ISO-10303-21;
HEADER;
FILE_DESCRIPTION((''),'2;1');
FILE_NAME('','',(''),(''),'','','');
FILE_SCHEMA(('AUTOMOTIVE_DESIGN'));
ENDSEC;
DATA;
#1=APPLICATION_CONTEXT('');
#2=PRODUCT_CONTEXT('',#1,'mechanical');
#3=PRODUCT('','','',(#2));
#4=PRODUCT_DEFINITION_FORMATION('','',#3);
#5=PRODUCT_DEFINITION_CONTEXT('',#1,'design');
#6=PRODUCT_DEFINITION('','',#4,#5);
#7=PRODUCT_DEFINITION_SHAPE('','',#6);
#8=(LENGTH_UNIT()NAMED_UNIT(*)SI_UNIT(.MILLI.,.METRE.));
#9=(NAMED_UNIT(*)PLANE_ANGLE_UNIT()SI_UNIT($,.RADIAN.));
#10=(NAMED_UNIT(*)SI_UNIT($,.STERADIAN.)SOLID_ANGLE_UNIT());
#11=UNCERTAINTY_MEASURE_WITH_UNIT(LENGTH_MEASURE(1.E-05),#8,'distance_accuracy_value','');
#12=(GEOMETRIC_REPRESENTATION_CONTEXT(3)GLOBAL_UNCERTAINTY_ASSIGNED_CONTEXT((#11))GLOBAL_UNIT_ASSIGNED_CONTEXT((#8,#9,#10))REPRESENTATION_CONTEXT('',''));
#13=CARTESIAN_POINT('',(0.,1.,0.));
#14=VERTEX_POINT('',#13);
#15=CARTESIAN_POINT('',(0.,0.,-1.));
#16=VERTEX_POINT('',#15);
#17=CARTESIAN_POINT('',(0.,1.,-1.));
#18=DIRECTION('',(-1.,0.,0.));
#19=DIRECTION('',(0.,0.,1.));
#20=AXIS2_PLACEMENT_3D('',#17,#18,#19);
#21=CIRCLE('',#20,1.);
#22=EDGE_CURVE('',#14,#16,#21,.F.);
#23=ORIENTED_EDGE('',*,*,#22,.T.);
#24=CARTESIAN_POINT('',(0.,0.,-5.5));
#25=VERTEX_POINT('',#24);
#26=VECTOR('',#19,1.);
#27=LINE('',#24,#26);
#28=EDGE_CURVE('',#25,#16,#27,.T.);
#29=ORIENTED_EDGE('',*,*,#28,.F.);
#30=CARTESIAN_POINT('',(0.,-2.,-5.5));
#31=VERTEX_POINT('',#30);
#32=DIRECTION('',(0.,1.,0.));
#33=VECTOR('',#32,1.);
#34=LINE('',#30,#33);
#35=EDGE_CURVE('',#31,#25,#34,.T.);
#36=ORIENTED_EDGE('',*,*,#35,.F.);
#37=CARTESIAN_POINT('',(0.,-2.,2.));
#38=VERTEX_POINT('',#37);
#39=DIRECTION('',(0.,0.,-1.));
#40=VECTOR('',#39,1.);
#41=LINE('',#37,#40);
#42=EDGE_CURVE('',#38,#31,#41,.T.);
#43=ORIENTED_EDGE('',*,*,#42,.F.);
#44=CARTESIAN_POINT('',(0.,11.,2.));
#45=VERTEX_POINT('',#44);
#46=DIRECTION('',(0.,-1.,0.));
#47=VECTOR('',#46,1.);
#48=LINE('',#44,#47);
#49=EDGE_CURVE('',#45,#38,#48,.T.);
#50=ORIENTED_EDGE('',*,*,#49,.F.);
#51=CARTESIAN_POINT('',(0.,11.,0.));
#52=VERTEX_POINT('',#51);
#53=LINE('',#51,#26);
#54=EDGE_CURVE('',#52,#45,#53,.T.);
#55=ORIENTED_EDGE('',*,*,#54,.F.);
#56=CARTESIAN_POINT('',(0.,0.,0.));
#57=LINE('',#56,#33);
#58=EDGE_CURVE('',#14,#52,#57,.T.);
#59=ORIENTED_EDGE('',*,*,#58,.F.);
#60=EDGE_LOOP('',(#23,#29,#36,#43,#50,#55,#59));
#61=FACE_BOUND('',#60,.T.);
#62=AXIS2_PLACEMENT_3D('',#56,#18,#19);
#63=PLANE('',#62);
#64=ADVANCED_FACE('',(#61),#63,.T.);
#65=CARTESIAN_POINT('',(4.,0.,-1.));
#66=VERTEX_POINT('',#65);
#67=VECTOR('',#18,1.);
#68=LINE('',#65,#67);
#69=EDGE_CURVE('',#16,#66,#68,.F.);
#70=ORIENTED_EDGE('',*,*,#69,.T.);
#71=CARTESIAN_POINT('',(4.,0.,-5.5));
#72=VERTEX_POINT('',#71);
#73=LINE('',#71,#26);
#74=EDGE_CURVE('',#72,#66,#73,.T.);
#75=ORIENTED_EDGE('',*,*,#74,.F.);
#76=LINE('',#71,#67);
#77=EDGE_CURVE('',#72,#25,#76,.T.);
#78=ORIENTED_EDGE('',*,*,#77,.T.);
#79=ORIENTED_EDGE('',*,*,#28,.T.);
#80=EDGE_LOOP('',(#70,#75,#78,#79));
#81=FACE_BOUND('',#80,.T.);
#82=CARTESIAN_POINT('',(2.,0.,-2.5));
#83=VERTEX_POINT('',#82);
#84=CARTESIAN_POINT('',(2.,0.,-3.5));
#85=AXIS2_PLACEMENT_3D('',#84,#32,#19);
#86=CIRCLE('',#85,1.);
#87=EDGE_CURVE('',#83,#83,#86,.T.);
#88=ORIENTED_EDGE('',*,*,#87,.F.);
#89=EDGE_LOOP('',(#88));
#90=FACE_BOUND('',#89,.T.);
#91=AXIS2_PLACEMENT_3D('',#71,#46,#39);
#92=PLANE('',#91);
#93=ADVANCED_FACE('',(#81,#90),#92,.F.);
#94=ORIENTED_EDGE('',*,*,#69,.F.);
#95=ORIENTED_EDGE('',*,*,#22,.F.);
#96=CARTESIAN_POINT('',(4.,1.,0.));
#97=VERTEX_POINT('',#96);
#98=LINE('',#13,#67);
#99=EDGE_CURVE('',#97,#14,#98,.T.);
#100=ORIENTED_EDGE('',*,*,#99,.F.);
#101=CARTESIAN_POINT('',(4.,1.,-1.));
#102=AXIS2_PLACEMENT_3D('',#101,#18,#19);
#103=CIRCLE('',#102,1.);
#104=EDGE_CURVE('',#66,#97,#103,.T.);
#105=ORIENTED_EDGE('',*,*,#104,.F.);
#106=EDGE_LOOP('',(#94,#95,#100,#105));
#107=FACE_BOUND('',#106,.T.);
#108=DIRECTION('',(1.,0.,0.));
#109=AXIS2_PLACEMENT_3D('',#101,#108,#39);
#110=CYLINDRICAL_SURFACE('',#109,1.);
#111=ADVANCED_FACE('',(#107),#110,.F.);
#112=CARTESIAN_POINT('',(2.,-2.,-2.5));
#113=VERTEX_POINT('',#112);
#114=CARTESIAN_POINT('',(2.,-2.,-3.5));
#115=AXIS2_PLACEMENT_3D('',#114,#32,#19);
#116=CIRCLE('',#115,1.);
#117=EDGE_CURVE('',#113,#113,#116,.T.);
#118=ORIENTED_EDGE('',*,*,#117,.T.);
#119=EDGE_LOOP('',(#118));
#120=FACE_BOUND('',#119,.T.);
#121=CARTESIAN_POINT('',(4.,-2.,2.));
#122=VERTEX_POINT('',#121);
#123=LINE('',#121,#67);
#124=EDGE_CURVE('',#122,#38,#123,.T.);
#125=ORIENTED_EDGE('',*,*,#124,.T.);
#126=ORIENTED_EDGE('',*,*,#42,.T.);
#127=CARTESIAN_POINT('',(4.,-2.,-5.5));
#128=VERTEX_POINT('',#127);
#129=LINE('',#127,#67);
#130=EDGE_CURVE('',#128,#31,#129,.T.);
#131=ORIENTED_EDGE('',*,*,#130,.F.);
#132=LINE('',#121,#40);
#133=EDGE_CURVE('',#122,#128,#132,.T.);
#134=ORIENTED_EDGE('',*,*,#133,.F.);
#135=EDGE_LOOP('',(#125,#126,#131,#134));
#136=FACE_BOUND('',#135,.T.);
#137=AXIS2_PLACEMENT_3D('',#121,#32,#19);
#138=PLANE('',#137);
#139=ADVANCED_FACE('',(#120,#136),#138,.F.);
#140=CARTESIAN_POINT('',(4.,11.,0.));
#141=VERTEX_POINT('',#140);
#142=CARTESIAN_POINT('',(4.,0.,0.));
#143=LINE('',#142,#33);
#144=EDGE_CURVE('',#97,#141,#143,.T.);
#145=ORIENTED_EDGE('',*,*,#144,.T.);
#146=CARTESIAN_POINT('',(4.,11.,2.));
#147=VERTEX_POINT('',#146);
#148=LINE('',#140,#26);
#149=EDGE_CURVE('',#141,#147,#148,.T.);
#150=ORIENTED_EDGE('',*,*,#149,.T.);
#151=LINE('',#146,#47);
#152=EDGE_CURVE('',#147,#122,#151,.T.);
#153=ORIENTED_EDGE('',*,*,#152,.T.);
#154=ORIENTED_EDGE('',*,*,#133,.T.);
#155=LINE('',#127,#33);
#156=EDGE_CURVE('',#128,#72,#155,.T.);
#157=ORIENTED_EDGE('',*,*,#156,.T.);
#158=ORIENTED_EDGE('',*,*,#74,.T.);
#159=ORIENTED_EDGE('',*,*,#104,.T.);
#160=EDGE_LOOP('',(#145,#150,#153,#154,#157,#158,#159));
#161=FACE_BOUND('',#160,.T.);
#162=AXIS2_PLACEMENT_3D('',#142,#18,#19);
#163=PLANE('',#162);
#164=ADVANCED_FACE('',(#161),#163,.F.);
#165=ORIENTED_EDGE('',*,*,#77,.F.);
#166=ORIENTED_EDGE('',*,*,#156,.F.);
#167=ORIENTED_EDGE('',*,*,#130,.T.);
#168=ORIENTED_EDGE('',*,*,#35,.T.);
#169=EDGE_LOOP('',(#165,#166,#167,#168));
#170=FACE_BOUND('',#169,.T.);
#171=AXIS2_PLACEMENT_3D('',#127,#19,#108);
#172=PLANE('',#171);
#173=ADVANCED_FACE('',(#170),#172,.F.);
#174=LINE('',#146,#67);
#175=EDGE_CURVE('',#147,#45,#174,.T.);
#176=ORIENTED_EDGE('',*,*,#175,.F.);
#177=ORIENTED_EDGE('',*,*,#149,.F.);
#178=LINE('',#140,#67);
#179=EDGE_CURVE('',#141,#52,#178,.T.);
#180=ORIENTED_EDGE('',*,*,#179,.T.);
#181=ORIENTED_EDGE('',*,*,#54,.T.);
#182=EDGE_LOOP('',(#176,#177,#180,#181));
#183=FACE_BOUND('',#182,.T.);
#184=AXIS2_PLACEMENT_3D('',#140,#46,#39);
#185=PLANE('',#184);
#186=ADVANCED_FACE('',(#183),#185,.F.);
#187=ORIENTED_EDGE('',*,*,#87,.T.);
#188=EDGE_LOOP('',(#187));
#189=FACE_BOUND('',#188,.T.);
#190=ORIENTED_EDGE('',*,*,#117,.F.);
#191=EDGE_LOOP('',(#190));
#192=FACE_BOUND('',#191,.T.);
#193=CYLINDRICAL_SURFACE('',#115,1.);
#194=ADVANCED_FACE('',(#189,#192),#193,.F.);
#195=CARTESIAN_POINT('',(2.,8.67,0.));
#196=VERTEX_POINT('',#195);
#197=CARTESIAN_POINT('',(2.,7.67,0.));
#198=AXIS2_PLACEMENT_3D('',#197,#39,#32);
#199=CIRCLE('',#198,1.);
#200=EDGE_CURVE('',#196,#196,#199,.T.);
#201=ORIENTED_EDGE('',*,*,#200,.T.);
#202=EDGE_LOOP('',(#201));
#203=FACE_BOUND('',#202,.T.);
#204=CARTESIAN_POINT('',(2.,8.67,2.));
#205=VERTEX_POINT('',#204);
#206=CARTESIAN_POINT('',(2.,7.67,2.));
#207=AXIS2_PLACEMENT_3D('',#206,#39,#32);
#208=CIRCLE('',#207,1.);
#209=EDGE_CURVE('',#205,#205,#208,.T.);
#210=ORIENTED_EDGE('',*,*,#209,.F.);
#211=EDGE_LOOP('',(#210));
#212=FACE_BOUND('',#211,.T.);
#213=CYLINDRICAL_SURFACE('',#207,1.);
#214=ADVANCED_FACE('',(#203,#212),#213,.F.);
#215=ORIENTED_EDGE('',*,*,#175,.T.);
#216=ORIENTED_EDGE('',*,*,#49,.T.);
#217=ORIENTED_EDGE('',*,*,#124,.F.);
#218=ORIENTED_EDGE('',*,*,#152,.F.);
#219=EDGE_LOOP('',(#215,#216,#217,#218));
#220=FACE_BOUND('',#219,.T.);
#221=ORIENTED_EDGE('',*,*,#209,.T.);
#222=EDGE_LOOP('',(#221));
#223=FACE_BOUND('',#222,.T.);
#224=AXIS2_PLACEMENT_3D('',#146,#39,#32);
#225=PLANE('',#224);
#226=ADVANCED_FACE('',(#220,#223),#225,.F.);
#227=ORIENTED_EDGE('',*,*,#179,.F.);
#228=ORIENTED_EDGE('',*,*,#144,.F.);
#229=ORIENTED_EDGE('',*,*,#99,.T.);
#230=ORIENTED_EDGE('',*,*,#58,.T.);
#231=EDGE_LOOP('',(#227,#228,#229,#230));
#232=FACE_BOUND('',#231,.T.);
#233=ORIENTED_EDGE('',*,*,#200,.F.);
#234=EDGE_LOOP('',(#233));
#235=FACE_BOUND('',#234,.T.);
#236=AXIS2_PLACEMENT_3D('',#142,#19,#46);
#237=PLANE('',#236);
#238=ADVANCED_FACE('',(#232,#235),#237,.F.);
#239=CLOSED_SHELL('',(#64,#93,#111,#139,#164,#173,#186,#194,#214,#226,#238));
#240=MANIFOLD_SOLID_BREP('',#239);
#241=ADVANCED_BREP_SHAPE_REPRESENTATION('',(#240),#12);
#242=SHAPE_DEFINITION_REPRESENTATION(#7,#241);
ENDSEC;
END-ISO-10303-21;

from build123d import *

# Parameters (mm, degrees)
BOSS_EXTRUDE1_DEPTH = 4
SKETCH2_R           = 1
CUT_EXTRUDE1_DEPTH  = 13.932517156
SKETCH3_R           = 1
CUT_EXTRUDE2_DEPTH  = 13.932517156
FILLET1_R           = 1


with BuildPart() as part:
    # Sketch1 → Boss-Extrude1 (new body)
    with BuildSketch(Plane(origin=(0, 0, 0), x_dir=(0, 0, -1), z_dir=(1, 0, 0))):
        Polygon((0, 0), (0, 11), (-2, 11), (-2, -2), (5.5, -2), (5.5, 0), align=None)
    extrude(amount=BOSS_EXTRUDE1_DEPTH)

    # Sketch2 → Cut-Extrude1 (cut, through all)
    with BuildSketch(Plane(origin=(0, 0, 0), x_dir=(-1, 0, 0), z_dir=(0, 0, -1))):
        with Locations(Location((-2, 7.67, 0), (0, 0, 90))):
            Circle(SKETCH2_R)
    extrude(amount=-CUT_EXTRUDE1_DEPTH, mode=Mode.SUBTRACT)

    # Sketch3 → Cut-Extrude2 (cut, through all)
    with BuildSketch(Plane(origin=(0, 0, 0), x_dir=(1, 0, 0), z_dir=(0, 1, 0))):
        with Locations(Location((2, 3.5, 0), (0, 0, 270))):
            Circle(SKETCH3_R)
    extrude(amount=-CUT_EXTRUDE2_DEPTH, mode=Mode.SUBTRACT)

    # Fillet1
    fillet1_edges = [part.edges().sort_by_distance(p)[0] for p in [
        (2, 0, 0),
    ]]
    fillet(fillet1_edges, radius=FILLET1_R)


solid = part.part
